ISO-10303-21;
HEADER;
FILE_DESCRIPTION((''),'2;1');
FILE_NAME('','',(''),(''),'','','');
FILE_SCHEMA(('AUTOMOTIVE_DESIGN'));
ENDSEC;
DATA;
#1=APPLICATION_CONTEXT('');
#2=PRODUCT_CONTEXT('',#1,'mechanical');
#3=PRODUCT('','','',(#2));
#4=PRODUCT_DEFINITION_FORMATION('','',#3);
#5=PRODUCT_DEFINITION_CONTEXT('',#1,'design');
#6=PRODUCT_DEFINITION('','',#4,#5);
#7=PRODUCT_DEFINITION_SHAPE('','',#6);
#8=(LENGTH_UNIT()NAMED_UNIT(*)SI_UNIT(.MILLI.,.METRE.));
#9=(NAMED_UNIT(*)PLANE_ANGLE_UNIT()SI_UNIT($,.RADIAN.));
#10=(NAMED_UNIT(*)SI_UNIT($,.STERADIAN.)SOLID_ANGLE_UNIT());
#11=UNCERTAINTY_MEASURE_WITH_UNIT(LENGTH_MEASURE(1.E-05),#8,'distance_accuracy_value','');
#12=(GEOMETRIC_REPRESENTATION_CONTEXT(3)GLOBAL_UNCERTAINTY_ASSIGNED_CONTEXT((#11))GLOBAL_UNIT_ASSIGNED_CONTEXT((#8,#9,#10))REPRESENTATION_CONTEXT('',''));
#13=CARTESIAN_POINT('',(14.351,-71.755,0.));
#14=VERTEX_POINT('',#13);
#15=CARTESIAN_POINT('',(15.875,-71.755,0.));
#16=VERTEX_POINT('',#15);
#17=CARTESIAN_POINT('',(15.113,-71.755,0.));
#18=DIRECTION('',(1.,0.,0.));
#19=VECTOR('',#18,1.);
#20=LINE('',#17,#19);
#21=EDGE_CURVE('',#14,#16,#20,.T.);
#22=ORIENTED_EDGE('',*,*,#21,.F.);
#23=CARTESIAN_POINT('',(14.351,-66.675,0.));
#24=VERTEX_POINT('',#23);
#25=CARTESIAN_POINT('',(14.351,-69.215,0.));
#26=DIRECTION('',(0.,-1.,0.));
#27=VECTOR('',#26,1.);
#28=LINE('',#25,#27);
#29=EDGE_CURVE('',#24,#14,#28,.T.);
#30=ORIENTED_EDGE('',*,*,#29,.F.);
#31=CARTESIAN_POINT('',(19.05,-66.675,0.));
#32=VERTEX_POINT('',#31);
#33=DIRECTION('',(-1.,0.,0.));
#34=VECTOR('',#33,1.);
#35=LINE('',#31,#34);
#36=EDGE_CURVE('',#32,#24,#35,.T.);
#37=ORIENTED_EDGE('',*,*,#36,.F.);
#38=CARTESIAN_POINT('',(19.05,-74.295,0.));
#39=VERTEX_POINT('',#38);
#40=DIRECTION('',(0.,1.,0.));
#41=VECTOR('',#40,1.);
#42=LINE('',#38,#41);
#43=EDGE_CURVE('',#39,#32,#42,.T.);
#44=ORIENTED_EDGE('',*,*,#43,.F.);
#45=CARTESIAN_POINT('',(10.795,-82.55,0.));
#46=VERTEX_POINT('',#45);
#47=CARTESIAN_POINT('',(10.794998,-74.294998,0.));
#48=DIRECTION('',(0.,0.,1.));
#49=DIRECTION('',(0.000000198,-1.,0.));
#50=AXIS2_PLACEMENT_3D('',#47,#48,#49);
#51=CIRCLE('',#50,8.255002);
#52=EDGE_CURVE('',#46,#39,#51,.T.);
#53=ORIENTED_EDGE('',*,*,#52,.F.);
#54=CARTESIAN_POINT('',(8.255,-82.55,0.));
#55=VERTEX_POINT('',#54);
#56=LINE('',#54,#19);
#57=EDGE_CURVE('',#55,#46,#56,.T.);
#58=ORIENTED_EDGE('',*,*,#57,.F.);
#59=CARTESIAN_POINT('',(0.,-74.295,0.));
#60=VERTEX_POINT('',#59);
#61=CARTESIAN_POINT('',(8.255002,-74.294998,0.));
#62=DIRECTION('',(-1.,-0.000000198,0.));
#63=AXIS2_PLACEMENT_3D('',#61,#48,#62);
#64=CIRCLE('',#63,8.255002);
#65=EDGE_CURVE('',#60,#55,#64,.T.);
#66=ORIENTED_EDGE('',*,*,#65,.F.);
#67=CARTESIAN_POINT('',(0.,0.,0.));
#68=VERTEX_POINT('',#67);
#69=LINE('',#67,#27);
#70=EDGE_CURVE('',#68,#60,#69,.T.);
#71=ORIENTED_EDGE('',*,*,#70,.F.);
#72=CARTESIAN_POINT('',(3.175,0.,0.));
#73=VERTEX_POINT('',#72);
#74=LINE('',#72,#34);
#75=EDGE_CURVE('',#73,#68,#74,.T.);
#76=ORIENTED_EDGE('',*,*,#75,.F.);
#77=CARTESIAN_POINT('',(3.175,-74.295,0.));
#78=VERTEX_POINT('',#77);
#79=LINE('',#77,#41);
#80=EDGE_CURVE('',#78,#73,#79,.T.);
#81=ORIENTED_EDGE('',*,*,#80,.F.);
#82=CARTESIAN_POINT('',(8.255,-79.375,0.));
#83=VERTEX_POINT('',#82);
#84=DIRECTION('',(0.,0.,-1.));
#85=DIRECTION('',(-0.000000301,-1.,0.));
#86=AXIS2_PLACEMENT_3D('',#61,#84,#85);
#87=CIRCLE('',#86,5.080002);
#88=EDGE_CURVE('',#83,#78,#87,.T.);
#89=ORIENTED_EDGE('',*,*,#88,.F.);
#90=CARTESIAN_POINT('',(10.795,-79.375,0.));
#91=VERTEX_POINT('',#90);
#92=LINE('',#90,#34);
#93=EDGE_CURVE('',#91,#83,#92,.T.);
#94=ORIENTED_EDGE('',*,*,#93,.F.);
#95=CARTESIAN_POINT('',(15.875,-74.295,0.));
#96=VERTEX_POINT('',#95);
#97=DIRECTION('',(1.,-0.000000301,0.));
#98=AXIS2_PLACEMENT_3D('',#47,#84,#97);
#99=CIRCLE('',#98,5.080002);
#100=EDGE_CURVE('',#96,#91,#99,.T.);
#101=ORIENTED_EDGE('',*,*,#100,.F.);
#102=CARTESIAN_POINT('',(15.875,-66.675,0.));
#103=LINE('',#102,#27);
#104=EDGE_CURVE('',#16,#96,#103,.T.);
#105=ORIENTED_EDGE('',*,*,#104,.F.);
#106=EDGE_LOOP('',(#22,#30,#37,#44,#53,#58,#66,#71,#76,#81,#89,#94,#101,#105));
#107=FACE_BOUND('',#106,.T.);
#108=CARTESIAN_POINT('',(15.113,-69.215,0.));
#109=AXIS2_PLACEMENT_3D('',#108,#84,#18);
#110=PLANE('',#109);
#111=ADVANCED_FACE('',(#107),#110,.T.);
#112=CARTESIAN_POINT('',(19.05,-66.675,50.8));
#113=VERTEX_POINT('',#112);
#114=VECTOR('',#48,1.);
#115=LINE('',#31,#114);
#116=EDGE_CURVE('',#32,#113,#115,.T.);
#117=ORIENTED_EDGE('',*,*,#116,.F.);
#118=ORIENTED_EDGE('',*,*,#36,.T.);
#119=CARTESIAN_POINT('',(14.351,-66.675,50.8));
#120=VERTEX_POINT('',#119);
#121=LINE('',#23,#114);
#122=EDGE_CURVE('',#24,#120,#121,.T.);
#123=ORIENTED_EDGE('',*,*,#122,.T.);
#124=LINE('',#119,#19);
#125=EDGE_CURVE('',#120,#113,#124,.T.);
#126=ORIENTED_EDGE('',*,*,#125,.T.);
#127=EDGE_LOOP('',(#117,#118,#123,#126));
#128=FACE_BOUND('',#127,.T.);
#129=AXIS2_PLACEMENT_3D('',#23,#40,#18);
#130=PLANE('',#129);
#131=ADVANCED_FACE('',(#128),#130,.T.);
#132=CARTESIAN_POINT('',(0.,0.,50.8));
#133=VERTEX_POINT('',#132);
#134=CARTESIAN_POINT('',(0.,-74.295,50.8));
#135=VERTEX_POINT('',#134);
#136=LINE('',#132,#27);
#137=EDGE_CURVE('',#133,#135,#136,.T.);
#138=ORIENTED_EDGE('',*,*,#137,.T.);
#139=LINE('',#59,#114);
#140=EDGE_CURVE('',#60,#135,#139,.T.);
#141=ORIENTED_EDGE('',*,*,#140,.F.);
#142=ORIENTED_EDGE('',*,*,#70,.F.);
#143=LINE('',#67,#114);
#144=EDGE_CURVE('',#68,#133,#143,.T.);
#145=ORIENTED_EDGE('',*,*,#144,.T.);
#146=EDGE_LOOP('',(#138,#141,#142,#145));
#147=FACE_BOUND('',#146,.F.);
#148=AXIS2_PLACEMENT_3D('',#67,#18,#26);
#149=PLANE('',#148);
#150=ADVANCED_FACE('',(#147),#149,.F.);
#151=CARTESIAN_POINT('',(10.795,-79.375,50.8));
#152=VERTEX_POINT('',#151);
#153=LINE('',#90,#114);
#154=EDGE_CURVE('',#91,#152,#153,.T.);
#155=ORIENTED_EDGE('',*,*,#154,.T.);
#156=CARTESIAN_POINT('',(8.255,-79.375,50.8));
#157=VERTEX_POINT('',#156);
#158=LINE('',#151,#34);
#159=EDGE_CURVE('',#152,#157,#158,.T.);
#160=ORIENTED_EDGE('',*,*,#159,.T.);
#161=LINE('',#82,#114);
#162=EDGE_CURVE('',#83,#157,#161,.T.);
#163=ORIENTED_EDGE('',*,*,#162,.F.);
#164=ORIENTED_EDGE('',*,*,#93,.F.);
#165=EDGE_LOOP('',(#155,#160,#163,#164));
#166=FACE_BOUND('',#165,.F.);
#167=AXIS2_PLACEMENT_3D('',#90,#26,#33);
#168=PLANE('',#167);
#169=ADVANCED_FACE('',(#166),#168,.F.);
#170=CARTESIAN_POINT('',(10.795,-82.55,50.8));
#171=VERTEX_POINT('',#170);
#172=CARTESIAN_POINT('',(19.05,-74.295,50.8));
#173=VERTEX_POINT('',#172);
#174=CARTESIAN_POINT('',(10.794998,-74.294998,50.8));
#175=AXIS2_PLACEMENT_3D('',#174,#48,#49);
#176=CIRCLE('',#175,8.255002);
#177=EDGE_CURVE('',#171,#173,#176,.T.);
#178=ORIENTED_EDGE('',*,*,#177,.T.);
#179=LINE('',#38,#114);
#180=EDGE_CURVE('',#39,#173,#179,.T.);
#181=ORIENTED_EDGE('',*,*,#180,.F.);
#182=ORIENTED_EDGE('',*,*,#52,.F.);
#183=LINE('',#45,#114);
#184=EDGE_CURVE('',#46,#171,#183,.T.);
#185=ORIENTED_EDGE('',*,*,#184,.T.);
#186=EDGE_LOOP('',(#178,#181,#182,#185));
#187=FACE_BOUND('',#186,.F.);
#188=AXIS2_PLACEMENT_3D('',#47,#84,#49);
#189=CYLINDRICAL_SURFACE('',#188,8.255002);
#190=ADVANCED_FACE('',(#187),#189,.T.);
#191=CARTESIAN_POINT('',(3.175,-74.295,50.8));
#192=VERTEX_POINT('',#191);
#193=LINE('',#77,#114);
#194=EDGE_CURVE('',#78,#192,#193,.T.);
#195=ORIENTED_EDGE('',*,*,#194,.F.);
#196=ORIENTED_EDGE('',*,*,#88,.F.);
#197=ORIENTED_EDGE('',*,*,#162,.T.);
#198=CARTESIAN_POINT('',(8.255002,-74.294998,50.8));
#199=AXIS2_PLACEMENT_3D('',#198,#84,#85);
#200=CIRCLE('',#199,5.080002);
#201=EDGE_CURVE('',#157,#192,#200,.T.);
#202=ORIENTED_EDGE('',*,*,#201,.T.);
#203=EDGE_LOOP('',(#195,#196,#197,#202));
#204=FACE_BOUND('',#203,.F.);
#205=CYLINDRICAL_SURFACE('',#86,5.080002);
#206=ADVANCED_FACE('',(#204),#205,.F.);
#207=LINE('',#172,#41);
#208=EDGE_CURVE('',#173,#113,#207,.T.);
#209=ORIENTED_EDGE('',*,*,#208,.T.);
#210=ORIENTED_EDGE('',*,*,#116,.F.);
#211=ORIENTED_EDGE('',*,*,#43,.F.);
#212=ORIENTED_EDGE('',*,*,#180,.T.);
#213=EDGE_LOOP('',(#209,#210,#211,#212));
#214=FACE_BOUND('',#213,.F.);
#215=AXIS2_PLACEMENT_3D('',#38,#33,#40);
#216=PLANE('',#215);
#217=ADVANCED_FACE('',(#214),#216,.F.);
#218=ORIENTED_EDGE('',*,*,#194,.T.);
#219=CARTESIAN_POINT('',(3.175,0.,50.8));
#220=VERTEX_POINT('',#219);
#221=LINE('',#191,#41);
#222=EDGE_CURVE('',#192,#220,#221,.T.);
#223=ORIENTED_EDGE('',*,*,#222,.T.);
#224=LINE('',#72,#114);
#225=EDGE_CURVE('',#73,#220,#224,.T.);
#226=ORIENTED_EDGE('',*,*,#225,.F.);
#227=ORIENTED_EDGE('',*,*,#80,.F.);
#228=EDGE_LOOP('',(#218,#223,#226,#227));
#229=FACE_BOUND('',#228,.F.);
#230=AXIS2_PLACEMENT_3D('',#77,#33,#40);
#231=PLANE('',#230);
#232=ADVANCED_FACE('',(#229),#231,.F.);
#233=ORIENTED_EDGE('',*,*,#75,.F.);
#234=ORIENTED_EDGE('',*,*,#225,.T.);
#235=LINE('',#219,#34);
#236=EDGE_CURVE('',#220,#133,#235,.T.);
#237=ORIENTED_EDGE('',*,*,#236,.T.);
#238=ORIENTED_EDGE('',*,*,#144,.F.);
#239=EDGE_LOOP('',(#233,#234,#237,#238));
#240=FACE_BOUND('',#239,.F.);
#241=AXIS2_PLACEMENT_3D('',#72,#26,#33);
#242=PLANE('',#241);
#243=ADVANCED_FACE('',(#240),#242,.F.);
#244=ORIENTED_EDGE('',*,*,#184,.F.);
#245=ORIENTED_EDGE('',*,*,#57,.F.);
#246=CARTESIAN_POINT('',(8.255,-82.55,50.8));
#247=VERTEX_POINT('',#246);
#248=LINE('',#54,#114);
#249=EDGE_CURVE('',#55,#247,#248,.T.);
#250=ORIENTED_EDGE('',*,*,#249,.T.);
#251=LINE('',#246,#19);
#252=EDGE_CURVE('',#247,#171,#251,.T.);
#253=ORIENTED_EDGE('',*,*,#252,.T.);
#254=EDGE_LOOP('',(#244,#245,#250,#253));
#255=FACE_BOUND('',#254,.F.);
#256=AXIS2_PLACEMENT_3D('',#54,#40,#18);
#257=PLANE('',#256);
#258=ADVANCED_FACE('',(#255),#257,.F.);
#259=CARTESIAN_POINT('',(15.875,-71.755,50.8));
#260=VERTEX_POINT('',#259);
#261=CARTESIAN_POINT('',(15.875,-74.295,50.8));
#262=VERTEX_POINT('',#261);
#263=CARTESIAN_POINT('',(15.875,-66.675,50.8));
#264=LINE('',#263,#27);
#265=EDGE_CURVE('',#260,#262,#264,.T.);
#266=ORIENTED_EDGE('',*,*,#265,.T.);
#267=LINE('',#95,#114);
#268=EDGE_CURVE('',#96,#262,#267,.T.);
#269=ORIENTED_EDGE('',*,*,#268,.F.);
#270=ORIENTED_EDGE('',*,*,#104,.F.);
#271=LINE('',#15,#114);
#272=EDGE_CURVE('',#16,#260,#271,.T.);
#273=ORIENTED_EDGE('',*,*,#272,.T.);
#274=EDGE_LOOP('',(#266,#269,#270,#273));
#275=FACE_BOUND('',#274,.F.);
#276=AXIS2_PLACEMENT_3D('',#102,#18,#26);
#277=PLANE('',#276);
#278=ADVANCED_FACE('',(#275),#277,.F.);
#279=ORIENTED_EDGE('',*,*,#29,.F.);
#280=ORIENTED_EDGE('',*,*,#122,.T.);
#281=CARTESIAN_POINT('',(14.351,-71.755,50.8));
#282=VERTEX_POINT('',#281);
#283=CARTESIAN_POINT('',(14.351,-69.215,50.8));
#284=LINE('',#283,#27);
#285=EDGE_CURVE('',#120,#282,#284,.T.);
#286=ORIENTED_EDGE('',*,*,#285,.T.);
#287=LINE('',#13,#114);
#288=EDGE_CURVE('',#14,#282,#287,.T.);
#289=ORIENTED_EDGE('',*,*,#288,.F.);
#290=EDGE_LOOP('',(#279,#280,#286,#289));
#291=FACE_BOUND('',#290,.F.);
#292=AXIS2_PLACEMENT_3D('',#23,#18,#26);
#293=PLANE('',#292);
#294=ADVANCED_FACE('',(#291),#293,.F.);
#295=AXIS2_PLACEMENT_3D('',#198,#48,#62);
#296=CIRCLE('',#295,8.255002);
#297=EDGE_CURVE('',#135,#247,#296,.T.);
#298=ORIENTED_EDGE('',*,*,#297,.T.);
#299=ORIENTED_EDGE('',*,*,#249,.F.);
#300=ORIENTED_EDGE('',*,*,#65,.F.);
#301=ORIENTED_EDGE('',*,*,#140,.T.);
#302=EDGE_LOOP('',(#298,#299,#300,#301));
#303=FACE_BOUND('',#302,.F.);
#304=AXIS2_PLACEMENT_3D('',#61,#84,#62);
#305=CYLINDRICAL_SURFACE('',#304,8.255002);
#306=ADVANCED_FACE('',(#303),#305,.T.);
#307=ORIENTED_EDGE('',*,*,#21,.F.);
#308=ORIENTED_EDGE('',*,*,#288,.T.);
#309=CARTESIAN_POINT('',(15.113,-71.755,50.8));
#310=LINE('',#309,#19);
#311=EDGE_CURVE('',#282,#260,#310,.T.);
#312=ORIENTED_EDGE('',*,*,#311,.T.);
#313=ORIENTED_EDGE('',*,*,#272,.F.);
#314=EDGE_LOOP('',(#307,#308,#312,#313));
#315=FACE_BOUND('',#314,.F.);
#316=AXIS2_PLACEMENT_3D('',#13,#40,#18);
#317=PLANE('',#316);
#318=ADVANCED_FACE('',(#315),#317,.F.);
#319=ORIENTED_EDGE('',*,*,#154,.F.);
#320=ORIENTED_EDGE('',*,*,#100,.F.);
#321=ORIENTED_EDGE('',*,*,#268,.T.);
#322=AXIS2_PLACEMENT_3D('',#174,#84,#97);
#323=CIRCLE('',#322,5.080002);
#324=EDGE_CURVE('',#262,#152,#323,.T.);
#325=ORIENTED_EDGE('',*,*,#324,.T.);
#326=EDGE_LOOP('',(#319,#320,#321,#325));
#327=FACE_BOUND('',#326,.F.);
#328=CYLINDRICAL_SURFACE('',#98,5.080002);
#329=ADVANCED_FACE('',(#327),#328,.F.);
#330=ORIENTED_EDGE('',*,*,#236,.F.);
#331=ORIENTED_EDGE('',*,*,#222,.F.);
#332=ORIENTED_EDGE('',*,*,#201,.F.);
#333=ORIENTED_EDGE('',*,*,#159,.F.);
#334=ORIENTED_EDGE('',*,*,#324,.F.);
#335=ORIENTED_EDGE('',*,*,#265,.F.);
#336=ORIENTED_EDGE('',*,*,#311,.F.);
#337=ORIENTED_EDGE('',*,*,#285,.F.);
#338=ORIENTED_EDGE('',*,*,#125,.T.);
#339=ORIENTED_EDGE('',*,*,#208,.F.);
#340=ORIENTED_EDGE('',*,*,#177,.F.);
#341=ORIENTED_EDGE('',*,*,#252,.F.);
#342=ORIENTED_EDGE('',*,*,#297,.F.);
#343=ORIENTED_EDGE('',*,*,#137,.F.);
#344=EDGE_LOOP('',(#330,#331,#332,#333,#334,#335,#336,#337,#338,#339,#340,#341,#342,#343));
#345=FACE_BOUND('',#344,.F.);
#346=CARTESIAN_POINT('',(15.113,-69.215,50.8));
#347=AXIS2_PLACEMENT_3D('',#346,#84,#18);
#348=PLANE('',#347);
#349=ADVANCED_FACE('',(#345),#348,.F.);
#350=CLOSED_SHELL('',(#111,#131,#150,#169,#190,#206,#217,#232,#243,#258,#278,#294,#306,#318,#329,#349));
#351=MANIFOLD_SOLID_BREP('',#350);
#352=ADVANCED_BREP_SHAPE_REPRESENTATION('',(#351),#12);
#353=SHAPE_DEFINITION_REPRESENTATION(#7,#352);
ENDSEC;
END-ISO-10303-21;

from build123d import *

# Parameters (mm, degrees)
F1_DEPTH = 50.8
F2_W     = 1.524
F2_H     = 5.08
F3_DEPTH = 50.8


with BuildPart() as f1:
    # F0 (on Top) → F1 (new body)
    with BuildSketch(Plane.XY):
        with BuildLine():
            Line((3.175, 0), (0, 0))
            Line((0, 0), (0, -74.295))
            ThreePointArc((0, -74.295), (2.417834, -80.132166), (8.255, -82.55))
            Line((8.255, -82.55), (10.795, -82.55))
            ThreePointArc((10.795, -82.55), (16.632166, -80.132166), (19.05, -74.295))
            Line((19.05, -74.295), (19.05, -66.675))
            Line((19.05, -66.675), (15.875, -66.675))
            Line((15.875, -66.675), (15.875, -74.295))
            ThreePointArc((15.875, -74.295), (14.387102, -77.887102), (10.795, -79.375))
            Line((10.795, -79.375), (8.255, -79.375))
            ThreePointArc((8.255, -79.375), (4.662898, -77.887102), (3.175, -74.295))
            Line((3.175, -74.295), (3.175, 0))
        make_face()
    extrude(amount=F1_DEPTH)

    # F2 (on face) → F3 (join)
    with BuildSketch(Plane(origin=(0, 0, 0), x_dir=(1, 0, 0), z_dir=(0, 0, -1))):
        with Locations((15.113, 69.215)):
            Rectangle(F2_W, F2_H)
    extrude(amount=-F3_DEPTH)


solid = f1.part
